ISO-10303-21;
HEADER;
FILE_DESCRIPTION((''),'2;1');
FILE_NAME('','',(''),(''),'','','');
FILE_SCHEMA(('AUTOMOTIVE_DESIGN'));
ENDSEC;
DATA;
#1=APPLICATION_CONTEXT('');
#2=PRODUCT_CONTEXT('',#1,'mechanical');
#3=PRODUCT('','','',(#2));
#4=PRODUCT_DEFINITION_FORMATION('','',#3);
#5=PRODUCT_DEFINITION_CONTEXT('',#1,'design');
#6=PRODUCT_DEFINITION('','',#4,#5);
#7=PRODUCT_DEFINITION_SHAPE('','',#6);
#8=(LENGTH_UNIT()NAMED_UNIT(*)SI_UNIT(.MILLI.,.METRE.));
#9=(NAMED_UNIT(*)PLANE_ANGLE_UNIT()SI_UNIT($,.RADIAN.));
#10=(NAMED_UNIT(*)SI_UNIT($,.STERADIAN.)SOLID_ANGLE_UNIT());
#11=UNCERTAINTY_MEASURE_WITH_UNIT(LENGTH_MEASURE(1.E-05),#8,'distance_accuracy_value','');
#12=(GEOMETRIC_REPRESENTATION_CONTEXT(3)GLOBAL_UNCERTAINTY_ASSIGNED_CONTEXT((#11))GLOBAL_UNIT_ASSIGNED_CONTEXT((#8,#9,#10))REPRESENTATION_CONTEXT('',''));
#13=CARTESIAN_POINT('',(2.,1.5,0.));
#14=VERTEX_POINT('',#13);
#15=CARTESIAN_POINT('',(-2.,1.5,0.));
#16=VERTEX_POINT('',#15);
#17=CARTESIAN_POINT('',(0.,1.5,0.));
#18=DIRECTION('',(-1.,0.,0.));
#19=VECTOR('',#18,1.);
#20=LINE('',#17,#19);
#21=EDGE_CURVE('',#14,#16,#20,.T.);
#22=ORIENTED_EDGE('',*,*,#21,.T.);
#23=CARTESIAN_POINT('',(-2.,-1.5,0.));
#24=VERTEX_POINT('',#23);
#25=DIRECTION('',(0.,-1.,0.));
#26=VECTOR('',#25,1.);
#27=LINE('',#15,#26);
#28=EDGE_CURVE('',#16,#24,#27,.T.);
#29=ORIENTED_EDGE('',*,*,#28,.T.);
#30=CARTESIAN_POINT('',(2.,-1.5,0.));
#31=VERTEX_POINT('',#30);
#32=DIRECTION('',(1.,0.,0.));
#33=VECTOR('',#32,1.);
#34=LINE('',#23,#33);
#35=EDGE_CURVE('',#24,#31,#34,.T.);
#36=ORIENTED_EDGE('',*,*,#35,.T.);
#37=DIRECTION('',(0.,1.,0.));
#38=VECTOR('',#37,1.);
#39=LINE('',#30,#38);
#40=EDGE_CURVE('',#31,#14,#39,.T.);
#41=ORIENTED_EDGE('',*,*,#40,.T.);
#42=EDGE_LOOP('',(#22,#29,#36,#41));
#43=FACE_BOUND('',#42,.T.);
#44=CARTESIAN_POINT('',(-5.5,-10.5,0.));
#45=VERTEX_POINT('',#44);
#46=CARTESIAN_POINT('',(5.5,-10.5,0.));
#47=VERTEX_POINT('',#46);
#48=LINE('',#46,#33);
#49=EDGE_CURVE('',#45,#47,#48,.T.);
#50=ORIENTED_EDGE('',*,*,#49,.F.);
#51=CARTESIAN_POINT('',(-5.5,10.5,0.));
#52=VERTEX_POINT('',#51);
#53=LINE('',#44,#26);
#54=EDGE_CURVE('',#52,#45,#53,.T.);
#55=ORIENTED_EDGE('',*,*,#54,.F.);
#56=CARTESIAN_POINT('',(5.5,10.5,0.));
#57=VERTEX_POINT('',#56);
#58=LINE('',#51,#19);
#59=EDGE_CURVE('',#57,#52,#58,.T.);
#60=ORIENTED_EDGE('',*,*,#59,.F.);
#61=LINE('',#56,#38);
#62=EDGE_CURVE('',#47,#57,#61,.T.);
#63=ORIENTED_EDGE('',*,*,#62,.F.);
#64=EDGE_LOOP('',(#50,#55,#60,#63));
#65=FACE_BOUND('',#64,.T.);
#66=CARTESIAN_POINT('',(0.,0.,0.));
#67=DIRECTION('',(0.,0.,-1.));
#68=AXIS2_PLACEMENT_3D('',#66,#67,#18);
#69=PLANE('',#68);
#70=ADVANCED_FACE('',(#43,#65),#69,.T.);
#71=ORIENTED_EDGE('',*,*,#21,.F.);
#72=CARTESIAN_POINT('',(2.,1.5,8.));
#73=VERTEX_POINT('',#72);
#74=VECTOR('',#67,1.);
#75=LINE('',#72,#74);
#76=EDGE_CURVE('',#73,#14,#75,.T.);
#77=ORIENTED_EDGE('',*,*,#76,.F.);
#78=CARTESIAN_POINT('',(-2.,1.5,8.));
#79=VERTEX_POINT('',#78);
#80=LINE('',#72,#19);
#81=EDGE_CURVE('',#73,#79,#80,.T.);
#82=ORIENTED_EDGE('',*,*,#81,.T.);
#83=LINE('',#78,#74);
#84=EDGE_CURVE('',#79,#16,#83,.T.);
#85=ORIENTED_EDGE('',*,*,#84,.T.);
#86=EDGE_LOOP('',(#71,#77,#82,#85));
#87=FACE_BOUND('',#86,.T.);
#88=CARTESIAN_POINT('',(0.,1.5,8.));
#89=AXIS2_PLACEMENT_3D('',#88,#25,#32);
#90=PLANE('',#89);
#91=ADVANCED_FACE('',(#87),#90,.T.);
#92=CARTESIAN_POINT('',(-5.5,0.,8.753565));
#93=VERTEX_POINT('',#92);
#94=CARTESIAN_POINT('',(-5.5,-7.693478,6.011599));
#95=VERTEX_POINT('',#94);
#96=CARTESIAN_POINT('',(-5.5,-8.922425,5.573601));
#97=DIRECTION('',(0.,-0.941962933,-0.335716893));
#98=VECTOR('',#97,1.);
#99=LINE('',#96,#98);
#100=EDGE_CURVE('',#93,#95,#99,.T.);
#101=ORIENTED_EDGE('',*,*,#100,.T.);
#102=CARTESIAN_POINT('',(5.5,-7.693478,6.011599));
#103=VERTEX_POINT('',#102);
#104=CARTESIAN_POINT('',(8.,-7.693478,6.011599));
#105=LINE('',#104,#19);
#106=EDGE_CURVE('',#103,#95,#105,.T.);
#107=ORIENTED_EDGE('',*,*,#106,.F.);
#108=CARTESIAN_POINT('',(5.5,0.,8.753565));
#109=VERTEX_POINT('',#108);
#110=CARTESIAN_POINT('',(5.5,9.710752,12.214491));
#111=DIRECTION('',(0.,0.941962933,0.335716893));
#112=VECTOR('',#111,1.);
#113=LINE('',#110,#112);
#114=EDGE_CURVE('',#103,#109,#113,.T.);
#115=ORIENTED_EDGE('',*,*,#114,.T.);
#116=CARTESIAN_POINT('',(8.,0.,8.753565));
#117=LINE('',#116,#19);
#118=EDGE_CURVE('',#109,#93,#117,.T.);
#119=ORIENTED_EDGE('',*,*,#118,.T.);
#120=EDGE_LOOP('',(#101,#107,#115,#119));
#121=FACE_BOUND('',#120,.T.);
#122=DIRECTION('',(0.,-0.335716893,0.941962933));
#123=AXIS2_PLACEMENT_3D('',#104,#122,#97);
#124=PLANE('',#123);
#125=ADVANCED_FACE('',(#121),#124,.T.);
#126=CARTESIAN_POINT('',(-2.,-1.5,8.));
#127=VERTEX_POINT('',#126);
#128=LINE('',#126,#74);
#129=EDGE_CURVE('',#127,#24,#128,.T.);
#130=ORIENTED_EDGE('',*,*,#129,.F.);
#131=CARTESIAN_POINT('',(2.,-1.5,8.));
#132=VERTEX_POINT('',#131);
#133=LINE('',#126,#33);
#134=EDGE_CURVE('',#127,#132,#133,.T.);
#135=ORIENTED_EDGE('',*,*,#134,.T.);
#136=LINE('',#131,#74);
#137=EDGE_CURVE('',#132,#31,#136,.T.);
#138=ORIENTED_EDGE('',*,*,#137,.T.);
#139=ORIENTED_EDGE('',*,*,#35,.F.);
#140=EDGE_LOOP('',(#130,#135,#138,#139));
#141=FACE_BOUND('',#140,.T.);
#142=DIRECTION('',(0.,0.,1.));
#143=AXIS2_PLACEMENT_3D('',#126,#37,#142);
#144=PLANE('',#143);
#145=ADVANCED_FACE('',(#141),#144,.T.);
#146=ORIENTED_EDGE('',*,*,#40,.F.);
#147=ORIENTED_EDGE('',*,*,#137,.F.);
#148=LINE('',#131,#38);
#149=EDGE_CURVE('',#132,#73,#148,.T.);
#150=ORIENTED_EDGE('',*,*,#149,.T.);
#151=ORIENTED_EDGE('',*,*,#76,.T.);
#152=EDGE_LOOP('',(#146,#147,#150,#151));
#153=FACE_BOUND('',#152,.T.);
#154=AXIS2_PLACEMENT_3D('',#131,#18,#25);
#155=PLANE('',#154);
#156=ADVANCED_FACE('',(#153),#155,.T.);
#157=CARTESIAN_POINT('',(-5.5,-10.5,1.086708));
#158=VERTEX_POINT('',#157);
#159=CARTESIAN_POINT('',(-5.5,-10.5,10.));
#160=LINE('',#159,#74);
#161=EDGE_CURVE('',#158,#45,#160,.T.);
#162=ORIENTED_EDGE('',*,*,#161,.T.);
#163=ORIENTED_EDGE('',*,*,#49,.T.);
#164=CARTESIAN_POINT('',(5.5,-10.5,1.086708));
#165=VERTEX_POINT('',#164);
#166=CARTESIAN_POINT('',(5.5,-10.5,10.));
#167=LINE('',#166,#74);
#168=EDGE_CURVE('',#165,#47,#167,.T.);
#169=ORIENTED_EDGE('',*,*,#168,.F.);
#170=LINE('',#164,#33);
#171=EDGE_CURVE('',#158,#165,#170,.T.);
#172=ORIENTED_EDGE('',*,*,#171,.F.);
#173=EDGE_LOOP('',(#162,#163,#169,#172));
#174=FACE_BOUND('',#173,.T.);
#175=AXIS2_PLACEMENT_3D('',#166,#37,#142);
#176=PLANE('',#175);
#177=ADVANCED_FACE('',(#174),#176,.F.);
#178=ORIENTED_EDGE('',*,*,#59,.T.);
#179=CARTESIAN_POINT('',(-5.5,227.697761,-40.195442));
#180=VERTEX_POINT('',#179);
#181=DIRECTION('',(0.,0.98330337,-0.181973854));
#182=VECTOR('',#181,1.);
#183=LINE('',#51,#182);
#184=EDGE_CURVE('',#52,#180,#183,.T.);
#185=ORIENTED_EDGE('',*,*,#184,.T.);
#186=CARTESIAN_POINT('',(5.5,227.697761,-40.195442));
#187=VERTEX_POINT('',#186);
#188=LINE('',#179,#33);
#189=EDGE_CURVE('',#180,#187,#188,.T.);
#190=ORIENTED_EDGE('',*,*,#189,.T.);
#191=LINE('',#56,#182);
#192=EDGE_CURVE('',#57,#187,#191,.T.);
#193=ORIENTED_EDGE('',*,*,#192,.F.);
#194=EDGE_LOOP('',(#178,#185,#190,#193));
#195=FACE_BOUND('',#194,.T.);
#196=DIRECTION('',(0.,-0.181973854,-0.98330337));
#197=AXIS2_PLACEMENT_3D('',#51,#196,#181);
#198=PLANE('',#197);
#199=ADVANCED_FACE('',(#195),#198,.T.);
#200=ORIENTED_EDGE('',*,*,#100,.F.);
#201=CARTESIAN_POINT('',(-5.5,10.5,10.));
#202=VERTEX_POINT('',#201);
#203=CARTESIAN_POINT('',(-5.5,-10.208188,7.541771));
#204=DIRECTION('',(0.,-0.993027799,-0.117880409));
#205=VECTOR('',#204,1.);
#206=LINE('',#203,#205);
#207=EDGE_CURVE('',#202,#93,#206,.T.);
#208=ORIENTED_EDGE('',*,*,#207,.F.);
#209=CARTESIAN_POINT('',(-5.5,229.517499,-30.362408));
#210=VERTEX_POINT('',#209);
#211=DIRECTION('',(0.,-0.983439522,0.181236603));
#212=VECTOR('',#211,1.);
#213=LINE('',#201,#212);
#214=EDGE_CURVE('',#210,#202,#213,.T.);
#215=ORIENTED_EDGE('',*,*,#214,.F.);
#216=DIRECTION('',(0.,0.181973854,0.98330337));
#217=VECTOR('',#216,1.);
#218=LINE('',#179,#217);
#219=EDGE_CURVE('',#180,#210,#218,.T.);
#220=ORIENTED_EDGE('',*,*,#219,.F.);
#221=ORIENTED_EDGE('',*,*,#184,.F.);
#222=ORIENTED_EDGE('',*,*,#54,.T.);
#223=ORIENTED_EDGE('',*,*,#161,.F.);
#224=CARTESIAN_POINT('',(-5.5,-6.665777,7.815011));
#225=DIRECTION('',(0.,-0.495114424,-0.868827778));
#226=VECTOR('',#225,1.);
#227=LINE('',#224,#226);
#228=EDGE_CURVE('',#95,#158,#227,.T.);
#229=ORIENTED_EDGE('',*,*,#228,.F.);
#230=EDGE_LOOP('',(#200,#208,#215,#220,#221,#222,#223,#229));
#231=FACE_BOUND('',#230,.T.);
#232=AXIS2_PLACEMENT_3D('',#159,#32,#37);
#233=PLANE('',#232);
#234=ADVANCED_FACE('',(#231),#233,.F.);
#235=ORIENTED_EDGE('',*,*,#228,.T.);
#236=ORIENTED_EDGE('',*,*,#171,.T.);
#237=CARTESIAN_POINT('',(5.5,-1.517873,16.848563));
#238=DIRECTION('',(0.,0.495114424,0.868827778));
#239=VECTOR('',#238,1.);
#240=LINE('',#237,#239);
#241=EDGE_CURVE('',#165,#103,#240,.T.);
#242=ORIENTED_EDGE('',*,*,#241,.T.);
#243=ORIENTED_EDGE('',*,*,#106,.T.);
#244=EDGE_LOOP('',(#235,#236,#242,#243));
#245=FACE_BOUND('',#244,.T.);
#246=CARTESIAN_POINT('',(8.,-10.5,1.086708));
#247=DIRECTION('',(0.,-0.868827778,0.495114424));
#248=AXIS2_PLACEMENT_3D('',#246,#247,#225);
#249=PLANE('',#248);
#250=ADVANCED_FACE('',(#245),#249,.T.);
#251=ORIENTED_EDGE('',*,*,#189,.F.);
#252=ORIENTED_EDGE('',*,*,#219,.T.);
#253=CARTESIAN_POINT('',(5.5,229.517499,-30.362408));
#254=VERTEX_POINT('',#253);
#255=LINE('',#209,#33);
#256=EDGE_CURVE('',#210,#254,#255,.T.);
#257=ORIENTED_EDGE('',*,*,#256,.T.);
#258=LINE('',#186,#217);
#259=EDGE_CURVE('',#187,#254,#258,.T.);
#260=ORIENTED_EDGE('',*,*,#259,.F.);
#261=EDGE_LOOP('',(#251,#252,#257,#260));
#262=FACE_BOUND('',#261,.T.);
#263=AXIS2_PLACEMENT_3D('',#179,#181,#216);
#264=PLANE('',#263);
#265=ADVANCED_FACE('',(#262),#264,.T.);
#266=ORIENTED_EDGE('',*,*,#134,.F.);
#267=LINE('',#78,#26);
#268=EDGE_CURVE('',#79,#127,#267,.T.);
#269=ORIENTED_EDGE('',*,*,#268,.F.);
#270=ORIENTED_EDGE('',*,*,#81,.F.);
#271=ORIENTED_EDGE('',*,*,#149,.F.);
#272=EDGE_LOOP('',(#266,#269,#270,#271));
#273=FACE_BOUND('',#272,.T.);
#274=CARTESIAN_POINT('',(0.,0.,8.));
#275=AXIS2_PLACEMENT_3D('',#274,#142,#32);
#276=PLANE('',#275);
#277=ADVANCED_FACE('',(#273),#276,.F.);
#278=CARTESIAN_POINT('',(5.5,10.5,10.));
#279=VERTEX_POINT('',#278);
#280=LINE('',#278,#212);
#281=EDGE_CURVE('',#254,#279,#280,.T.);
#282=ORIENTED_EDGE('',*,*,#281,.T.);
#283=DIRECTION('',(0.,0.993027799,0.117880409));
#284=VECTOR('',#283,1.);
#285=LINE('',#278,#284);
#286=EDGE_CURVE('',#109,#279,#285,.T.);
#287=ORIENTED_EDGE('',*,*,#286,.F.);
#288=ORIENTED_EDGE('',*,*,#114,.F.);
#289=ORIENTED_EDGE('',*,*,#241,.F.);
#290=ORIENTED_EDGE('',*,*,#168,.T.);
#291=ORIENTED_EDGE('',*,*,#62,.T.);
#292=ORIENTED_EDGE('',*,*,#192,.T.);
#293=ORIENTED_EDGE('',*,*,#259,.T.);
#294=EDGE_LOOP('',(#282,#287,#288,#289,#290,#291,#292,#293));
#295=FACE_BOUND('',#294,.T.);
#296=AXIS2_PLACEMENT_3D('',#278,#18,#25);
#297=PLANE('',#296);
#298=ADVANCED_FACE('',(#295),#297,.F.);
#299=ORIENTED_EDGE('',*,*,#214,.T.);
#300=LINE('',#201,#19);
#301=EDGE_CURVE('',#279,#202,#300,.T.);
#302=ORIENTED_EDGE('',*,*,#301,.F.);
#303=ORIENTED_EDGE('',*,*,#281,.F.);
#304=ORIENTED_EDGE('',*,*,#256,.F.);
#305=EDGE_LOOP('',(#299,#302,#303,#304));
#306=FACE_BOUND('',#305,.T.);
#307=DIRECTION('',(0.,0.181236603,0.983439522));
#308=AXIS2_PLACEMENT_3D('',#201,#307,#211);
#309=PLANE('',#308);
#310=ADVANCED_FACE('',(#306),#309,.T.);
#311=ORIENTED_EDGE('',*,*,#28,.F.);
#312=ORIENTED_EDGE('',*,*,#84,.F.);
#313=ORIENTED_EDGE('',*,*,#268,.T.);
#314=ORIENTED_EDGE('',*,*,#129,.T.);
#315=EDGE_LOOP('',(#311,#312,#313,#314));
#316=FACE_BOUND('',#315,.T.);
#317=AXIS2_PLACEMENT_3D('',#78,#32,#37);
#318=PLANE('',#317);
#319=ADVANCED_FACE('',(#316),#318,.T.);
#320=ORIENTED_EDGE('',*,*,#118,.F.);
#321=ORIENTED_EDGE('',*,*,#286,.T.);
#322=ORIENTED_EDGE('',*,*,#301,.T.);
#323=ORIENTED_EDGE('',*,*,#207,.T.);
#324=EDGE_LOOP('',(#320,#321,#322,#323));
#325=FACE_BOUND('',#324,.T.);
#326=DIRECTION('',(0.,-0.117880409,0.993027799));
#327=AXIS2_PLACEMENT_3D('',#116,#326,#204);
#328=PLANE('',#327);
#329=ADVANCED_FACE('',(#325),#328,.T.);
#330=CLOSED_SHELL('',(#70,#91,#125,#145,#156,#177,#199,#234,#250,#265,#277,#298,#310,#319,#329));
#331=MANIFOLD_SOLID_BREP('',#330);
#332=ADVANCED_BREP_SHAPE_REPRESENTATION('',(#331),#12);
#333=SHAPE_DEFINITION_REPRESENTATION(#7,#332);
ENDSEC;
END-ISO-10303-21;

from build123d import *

# Parameters (mm, degrees)
SKETCH3_W                = 11
SKETCH3_H                = 21
BOSS_EXTRUDE1_DEPTH      = 10
CUT_EXTRUDE1_DEPTH       = 8
CUT_EXTRUDE5_DEPTH       = 8
CUT_EXTRUDE5_DEPTH_BACK  = 8
BOSS_EXTRUDE2_DEPTH      = 5.5
BOSS_EXTRUDE2_DEPTH_BACK = 5.5


with BuildPart() as part:
    # Sketch3 → Boss-Extrude1 (new body)
    with BuildSketch(Plane.XY):
        Rectangle(SKETCH3_W, SKETCH3_H)
    extrude(amount=BOSS_EXTRUDE1_DEPTH)

    # Sketch5 → Cut-Extrude1 (cut)
    with BuildSketch(Plane.XY):
        Polygon((0, 1.5), (-2, 1.5), (-2, -1.5), (2, -1.5), (2, 1.5), align=None)
    extrude(amount=CUT_EXTRUDE1_DEPTH, mode=Mode.SUBTRACT)

    # Sketch6 → Cut-Extrude5 (cut, two sides: drawn at the far end of the back side and taken through both)
    with BuildSketch(Plane(origin=(0, 0, 0), x_dir=(0, 0, -1), z_dir=(1, 0, 0)).offset(-CUT_EXTRUDE5_DEPTH_BACK)):
        Polygon((-1.0867085, -10.5), (-6.011599163, -7.693477847), (-8.753565317, 0), (-10, 10.5), (-10, -10.5), (-10, -11.324459918), (-1.0867085, -10.760658811), align=None)
    extrude(amount=CUT_EXTRUDE5_DEPTH + CUT_EXTRUDE5_DEPTH_BACK, mode=Mode.SUBTRACT)

    # Sketch18 → Boss-Extrude2 (add, two sides: drawn at the far end of the back side and taken through both)
    with BuildSketch(Plane(origin=(0, 0, 0), x_dir=(0, 0, -1), z_dir=(1, 0, 0)).offset(-BOSS_EXTRUDE2_DEPTH_BACK)):
        Polygon((0, 10.5), (40.195441972, 227.697760834), (30.362408276, 229.51749937), (-10, 10.5), align=None)
    extrude(amount=BOSS_EXTRUDE2_DEPTH + BOSS_EXTRUDE2_DEPTH_BACK)


solid = part.part
